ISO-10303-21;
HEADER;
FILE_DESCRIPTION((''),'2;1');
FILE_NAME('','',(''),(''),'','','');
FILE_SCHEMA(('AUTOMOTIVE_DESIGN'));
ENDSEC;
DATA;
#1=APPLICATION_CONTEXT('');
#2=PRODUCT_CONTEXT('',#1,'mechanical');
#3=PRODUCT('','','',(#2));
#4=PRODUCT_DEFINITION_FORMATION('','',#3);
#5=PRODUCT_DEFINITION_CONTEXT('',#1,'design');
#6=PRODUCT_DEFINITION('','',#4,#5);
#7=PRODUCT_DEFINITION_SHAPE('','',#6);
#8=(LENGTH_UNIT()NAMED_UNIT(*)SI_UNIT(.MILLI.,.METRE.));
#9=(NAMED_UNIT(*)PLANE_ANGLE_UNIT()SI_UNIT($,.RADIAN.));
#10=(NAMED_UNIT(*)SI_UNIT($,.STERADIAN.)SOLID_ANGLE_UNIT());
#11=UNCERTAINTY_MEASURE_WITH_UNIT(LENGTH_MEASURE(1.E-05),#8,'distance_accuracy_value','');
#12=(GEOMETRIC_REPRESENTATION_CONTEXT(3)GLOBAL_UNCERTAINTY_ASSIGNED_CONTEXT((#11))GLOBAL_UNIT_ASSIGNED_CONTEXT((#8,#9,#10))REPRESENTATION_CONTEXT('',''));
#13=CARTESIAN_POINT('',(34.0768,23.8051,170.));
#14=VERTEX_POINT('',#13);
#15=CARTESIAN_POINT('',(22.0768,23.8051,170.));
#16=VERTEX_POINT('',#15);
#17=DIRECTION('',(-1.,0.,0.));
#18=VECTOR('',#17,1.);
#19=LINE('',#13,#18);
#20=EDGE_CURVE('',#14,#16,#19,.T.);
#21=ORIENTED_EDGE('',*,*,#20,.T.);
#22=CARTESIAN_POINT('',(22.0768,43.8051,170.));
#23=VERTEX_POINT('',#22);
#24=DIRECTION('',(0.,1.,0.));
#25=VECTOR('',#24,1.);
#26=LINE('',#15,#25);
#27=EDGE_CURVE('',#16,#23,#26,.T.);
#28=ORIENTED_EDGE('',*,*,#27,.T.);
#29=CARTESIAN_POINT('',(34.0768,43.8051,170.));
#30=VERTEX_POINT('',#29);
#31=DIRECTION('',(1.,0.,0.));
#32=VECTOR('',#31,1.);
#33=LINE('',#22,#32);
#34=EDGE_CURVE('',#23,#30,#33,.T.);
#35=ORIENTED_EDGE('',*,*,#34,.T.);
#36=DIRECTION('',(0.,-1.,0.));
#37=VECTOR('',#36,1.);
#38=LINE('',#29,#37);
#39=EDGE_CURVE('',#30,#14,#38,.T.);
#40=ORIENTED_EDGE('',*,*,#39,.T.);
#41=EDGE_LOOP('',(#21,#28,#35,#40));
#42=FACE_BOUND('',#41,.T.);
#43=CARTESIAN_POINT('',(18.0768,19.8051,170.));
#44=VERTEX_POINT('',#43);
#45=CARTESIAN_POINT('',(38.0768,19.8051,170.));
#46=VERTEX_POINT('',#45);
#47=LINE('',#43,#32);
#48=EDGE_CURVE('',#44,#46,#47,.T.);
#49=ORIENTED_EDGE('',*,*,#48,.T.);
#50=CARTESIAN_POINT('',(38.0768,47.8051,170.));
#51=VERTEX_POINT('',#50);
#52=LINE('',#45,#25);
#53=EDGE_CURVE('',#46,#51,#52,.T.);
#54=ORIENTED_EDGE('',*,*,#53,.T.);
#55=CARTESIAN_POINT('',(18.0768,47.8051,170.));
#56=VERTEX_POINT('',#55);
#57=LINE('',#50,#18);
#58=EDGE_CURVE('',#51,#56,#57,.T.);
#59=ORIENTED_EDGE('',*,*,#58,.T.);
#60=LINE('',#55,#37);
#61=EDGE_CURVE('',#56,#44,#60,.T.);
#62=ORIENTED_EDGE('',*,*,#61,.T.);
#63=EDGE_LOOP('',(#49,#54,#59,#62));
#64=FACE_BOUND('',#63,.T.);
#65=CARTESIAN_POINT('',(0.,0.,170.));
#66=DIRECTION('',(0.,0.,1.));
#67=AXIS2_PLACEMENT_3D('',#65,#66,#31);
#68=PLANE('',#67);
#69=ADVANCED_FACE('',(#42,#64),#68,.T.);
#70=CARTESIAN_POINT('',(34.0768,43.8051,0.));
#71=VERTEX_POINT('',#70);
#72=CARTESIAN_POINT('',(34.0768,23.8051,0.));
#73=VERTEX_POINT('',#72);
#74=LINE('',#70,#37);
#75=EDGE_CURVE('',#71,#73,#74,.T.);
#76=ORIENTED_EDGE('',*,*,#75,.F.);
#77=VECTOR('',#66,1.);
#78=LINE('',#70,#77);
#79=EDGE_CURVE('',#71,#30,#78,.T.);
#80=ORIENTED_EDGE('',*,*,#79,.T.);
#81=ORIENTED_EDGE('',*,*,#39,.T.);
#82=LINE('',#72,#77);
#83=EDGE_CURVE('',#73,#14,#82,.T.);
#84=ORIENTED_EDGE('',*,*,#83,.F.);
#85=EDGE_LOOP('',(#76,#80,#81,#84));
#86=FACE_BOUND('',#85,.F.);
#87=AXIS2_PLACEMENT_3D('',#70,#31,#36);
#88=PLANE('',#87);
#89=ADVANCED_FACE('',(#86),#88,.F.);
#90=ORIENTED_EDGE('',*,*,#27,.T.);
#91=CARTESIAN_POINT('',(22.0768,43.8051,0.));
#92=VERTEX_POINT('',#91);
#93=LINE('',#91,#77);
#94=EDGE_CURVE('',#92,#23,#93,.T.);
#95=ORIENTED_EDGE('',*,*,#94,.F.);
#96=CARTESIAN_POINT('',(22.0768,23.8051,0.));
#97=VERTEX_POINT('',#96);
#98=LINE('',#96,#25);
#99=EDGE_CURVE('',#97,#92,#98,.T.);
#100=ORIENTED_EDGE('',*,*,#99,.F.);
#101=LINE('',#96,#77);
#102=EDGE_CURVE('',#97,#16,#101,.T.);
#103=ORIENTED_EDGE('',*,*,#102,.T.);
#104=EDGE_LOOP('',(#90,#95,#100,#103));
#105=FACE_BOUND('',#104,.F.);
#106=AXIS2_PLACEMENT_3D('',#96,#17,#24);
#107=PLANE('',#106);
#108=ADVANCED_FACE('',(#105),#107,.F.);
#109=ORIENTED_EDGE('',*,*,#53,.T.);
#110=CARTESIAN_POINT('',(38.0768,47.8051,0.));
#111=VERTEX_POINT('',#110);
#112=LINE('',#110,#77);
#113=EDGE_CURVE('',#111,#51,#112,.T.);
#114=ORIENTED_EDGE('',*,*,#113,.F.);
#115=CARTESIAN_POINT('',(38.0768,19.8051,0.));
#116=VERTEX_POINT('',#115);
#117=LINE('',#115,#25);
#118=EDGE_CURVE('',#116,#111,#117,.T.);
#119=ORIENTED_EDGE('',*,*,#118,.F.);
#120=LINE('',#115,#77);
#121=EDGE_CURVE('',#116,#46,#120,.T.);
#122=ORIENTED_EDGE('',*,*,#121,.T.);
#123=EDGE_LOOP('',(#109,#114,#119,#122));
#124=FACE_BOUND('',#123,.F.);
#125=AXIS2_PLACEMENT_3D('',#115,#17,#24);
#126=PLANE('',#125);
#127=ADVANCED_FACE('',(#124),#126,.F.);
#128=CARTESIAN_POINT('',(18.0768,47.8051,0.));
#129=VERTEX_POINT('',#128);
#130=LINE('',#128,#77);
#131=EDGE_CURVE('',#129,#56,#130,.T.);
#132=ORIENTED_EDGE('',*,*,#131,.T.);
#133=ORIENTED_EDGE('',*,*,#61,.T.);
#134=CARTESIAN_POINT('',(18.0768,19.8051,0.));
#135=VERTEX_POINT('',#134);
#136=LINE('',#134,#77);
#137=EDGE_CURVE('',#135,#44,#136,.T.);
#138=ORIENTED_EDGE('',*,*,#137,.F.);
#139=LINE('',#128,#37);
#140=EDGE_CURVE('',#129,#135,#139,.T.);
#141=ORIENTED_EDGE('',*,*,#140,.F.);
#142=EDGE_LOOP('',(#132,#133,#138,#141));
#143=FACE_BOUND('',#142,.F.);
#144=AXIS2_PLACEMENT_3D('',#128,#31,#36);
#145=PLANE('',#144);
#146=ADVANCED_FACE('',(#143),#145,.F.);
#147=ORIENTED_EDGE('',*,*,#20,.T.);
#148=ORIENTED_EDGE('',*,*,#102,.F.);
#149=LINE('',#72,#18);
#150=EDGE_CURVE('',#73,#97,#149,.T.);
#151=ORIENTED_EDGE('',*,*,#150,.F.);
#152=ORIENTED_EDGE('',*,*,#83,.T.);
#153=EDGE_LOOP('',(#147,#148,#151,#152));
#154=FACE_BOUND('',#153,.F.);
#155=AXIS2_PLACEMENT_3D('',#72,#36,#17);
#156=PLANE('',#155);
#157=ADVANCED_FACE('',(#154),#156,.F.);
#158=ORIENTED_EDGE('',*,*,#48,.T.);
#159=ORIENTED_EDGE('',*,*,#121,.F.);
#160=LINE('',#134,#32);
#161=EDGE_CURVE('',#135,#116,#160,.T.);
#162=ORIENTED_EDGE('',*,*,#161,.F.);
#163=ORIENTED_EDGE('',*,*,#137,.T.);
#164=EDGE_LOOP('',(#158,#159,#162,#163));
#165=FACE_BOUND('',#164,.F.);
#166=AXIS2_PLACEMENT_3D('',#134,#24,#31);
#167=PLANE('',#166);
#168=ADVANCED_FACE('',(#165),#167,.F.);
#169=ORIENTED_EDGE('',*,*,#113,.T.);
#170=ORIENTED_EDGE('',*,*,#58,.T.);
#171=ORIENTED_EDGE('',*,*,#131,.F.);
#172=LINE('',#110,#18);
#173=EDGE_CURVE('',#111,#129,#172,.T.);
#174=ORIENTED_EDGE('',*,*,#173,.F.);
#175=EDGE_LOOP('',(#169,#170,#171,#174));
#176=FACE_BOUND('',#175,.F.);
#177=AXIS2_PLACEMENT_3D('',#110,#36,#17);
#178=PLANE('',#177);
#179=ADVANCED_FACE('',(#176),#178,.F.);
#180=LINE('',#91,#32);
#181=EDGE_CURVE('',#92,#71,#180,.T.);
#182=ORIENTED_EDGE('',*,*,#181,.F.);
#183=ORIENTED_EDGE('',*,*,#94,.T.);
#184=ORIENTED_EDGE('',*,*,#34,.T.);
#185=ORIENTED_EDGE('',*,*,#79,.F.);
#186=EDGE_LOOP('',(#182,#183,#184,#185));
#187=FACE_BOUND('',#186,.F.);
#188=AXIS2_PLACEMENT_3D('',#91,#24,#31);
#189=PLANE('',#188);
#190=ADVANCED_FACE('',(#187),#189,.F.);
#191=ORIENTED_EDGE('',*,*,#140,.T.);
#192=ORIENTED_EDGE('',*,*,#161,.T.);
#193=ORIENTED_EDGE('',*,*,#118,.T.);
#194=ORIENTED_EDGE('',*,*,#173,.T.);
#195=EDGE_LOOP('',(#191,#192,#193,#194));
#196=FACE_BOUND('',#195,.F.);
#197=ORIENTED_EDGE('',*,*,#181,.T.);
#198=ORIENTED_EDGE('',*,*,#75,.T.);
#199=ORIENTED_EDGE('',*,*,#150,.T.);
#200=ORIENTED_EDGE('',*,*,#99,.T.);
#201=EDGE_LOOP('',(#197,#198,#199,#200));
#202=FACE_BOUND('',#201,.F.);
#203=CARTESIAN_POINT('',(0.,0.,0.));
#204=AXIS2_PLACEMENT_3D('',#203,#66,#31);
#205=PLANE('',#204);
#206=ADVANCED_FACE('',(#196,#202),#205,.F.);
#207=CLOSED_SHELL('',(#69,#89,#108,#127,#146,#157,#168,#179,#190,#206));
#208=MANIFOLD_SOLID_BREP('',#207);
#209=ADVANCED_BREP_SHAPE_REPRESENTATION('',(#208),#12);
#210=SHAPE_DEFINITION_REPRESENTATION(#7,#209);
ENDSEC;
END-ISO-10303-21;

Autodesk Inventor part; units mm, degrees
ref_plane "YZ Plane" through (0, 0, 0) normal (1, 0, 0) x (0, 1, 0)
ref_plane "XZ Plane" through (0, 0, 0) normal (0, 1, 0) x (-1, 0, 0)
ref_plane "XY Plane" through (0, 0, 0) normal (0, 0, 1) x (1, 0, 0)
sketch "Sketch1" plane through (0, 0, 0) normal (0, 0, 1) x (1, 0, 0)
  line L0 (22.0768, 43.8051) -> (34.0768, 43.8051)
  line L1 (34.0768, 43.8051) -> (34.0768, 23.8051)
  line L2 (34.0768, 23.8051) -> (22.0768, 23.8051)
  line L3 (22.0768, 23.8051) -> (22.0768, 43.8051)
  line L4 (38.0768, 47.8051) -> (18.0768, 47.8051)
  line L5 (18.0768, 47.8051) -> (18.0768, 19.8051)
  line L6 (18.0768, 19.8051) -> (38.0768, 19.8051)
  line L7 (38.0768, 19.8051) -> (38.0768, 47.8051)
  point P0 (0, 0)
  dimension "d4" = 12
  dimension "d5" = 20
  dimension "d6" = 4
extrude "Extrusion2" add sketch "Sketch1" along normal blind 170
properties part number "motorstand1"
